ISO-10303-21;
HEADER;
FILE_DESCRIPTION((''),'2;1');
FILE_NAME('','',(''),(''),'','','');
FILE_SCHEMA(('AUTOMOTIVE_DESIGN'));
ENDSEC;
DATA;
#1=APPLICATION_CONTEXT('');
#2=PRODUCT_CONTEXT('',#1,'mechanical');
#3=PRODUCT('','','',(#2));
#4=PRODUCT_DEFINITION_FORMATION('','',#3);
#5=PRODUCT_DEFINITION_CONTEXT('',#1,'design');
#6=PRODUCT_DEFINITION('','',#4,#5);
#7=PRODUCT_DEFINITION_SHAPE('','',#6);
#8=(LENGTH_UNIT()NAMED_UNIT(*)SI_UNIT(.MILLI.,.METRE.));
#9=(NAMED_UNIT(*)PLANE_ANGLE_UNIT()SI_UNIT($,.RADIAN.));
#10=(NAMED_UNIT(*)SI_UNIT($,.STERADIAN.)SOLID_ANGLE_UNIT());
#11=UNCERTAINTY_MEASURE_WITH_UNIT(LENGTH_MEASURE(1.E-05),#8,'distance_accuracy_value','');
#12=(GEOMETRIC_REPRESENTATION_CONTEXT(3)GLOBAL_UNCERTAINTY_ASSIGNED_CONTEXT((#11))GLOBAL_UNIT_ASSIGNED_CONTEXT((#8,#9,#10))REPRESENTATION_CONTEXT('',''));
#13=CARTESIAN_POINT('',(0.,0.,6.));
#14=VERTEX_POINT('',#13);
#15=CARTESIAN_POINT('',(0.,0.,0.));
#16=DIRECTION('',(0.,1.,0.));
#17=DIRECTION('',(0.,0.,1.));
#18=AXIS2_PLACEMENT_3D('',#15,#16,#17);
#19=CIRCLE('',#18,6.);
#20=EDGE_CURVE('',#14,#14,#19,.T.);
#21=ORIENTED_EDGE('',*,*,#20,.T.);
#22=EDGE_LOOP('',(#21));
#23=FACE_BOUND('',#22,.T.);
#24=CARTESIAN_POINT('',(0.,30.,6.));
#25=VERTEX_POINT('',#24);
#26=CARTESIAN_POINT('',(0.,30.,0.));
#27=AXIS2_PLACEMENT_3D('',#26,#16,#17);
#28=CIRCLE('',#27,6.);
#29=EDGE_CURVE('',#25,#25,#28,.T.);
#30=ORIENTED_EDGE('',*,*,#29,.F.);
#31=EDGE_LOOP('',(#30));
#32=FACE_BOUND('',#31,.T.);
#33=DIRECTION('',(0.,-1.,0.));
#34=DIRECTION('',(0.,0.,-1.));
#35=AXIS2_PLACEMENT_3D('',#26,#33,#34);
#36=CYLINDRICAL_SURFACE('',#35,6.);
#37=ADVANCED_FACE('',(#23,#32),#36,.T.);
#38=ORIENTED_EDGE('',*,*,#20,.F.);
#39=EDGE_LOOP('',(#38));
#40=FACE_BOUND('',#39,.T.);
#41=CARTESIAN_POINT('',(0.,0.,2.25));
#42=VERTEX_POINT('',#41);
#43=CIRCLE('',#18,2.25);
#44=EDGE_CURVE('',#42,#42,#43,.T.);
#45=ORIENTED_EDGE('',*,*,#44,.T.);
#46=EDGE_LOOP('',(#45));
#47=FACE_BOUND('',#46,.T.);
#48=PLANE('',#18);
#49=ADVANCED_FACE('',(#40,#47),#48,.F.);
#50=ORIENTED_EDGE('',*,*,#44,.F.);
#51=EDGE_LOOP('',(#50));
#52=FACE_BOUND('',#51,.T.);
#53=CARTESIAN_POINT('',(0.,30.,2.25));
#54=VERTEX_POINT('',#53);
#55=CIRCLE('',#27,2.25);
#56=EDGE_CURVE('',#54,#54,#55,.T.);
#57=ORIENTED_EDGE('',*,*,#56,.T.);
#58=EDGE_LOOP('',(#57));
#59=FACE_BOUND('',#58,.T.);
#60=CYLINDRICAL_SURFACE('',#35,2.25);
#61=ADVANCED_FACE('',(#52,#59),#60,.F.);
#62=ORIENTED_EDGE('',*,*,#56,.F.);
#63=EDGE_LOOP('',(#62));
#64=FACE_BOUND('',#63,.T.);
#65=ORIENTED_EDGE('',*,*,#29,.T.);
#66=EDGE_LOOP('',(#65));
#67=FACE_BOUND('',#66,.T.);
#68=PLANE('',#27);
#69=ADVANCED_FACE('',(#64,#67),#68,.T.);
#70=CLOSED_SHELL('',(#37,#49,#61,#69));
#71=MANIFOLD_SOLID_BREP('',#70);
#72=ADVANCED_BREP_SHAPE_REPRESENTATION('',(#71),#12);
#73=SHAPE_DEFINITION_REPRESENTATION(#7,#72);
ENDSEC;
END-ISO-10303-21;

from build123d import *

# Parameters (mm, degrees)
SKETCH_1_R      = 6
SKETCH_1_R_2    = 2.25
EXTRUDE_1_DEPTH = 30


with BuildPart() as part:
    # Эскиз1 → Бобышка-Вытянуть1 (new body)
    with BuildSketch(Plane(origin=(0, 0, 0), x_dir=(1, 0, 0), z_dir=(0, 1, 0))):
        with Locations(Location((0, 0, 0), (0, 0, 270))):
            Circle(SKETCH_1_R)
        with Locations(Location((0, 0, 0), (0, 0, 270))):
            Circle(SKETCH_1_R_2, mode=Mode.SUBTRACT)
    extrude(amount=EXTRUDE_1_DEPTH)


solid = part.part
